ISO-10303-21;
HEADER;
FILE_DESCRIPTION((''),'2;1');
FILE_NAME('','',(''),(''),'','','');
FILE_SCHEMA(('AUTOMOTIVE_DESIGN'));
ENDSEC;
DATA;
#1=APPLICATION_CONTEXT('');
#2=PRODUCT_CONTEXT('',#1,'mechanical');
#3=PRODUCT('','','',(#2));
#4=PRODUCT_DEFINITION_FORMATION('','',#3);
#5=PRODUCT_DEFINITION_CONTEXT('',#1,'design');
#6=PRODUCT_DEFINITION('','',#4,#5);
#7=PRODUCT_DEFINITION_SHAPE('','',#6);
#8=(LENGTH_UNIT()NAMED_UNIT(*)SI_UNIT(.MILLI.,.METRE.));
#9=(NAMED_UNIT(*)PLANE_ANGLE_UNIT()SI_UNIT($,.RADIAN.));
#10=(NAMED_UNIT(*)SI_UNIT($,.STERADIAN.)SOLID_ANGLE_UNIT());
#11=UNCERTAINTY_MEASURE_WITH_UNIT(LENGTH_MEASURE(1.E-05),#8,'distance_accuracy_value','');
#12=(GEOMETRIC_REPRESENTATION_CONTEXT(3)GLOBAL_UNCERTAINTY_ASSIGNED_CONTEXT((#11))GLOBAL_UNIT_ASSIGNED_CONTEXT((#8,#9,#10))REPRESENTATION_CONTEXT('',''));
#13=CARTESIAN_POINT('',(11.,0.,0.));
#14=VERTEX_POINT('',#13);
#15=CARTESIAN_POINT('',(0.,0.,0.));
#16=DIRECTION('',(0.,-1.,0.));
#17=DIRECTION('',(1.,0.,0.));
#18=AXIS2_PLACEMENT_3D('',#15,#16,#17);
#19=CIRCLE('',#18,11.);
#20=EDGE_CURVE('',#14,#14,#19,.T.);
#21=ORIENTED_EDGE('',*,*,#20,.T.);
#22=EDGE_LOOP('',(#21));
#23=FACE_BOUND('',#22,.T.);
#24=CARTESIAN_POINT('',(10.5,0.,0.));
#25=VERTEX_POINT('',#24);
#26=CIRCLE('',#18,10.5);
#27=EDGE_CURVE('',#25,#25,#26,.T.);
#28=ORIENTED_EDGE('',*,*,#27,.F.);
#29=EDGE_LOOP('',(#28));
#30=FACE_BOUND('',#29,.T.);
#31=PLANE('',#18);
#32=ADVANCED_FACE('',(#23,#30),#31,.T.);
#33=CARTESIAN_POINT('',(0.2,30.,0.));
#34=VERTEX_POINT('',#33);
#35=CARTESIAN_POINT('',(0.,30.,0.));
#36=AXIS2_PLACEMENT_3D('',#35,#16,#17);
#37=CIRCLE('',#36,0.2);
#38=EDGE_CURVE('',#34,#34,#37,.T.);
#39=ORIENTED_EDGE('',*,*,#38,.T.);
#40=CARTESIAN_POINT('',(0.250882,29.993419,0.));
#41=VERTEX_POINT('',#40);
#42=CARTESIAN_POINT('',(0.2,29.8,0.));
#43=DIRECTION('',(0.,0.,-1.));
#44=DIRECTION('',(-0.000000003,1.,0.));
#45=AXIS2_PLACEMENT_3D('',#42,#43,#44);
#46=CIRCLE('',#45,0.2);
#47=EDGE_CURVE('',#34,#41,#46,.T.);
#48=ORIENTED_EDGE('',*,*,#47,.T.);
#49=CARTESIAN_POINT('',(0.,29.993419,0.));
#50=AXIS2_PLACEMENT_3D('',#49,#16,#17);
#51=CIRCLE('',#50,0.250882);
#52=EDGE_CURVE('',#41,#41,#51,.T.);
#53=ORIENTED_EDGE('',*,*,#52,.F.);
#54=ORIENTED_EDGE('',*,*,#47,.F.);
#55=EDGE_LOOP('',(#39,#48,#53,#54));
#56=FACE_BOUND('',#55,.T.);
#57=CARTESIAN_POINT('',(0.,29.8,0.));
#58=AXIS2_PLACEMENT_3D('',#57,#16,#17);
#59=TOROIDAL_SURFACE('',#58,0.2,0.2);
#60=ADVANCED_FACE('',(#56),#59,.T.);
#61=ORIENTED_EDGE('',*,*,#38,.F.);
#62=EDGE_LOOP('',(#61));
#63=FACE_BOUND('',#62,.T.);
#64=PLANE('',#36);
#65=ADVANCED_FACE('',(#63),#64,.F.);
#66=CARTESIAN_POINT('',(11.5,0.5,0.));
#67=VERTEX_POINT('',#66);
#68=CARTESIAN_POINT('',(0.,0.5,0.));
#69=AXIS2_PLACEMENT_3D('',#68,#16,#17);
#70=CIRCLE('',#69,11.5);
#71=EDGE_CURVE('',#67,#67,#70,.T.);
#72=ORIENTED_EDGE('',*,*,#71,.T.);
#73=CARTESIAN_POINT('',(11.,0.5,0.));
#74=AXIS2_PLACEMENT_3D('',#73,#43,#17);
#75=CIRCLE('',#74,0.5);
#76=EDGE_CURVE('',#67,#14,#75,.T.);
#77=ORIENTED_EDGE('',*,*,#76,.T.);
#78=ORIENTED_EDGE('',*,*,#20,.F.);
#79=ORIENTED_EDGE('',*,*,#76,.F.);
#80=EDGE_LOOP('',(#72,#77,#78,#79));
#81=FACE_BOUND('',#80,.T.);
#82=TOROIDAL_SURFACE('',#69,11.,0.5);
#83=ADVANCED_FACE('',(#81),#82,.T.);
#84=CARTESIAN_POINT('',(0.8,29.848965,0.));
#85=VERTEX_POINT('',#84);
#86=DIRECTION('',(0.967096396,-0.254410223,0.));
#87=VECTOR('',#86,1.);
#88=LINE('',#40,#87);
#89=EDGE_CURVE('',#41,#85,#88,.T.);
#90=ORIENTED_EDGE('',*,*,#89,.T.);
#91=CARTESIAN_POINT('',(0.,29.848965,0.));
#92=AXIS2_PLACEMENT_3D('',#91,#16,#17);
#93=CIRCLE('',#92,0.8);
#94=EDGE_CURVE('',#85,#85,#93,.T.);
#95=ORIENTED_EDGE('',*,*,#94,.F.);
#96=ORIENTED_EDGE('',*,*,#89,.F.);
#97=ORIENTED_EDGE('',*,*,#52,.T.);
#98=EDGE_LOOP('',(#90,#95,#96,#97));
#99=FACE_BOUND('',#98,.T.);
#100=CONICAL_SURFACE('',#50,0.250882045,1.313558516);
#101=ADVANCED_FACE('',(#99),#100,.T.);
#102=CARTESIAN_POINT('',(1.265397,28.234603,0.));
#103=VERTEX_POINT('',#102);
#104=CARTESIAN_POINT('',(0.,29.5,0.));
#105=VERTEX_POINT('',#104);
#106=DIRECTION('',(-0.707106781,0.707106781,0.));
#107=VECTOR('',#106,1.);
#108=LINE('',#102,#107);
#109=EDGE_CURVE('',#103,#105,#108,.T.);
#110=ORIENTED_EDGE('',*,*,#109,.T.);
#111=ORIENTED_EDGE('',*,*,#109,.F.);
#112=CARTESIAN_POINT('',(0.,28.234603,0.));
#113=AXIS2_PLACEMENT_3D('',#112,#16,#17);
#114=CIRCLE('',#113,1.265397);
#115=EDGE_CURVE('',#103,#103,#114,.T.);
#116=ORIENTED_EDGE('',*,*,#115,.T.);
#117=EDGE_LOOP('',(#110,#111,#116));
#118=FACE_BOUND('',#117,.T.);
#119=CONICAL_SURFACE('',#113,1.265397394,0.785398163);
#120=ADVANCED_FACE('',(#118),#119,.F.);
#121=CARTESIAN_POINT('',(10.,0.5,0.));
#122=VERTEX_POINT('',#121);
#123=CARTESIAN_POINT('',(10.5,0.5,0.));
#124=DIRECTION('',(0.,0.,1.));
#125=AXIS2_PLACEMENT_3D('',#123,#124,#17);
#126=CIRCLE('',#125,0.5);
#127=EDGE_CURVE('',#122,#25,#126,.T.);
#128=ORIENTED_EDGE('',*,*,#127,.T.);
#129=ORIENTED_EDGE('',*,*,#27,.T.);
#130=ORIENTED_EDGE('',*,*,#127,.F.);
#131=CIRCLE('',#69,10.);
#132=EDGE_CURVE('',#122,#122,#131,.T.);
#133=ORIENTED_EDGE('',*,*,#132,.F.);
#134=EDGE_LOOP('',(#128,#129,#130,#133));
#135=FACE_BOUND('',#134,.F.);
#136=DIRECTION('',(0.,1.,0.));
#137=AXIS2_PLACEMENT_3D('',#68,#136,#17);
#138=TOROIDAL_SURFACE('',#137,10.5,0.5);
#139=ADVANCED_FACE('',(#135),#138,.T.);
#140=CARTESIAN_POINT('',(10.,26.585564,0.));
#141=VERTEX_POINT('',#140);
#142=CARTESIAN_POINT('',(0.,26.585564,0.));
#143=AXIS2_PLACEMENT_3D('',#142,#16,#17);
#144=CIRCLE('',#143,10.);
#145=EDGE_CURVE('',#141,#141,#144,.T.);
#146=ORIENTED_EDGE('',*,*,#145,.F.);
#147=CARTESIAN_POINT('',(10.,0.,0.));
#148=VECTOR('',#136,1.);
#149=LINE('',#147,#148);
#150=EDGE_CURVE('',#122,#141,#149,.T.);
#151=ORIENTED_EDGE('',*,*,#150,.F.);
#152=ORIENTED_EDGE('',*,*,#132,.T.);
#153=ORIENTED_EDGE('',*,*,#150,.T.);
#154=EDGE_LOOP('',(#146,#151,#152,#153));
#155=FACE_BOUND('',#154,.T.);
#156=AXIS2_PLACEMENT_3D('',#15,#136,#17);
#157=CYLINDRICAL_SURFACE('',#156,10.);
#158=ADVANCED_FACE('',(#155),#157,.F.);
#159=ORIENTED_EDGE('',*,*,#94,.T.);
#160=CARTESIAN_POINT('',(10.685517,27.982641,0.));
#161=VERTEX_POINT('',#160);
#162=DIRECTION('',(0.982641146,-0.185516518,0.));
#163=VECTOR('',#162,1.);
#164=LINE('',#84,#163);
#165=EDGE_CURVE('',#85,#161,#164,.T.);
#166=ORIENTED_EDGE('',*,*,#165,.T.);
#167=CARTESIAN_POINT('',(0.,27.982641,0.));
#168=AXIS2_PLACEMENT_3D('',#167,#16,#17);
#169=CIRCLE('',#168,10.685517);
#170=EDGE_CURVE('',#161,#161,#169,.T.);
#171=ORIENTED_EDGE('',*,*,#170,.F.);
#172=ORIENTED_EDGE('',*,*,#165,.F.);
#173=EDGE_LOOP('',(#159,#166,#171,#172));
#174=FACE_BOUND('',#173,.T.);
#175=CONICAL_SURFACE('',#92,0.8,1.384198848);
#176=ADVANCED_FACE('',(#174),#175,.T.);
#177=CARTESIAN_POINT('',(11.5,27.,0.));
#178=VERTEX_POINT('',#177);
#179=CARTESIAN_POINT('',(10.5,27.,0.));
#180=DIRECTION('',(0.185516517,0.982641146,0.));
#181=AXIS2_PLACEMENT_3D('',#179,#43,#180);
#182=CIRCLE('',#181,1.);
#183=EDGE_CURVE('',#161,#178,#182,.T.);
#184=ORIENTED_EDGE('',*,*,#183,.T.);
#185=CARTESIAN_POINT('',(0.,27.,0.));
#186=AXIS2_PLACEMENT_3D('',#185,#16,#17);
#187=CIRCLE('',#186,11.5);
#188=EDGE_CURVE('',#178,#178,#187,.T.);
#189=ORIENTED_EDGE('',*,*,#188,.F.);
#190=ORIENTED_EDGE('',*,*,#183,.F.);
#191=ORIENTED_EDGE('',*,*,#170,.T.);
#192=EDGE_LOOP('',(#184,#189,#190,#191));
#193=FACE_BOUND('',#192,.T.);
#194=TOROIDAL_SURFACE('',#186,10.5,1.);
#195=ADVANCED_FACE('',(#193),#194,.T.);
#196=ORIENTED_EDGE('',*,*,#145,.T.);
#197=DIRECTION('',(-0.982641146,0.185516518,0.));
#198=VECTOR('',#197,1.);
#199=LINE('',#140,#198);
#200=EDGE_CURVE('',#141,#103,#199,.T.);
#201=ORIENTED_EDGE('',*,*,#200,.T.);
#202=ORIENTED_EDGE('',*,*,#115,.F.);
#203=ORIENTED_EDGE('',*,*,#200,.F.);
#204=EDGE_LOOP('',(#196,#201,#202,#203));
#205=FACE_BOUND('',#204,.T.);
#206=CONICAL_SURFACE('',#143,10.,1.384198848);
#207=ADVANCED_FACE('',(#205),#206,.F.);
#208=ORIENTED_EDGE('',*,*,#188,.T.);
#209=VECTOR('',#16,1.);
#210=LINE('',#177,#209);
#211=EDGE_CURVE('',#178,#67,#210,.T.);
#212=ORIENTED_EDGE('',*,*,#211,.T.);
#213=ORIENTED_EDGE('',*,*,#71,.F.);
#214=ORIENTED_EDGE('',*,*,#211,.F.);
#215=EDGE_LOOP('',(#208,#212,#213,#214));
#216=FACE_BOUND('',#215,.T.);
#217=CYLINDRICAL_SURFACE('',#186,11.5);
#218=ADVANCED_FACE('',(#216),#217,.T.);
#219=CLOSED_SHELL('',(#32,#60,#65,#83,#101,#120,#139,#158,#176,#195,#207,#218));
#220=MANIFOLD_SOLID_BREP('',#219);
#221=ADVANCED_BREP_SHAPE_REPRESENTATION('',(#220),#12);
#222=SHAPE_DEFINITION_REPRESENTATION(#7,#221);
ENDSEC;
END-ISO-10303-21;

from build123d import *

# Parameters (mm, degrees)
FILLET1_R = 0.5


with BuildPart() as part:
    # Sketch1 → Revolve1 (revolve)
    with BuildSketch(Plane.XY):
        with BuildLine():
            Line((10, 0), (10, 26.585564127))
            Line((10, 26.585564127), (1.265397394, 28.234602606))
            Line((1.265397394, 28.234602606), (0, 29.5))
            Line((0, 29.5), (0, 30))
            Line((0, 30), (0.2, 30))
            ThreePointArc((0.2, 30), (0.225652916, 29.998347997), (0.250882045, 29.993419279))
            Line((0.250882045, 29.993419279), (0.8, 29.848964991))
            Line((0.8, 29.848964991), (10.685516518, 27.982641146))
            ThreePointArc((10.685516518, 27.982641146), (11.269907955, 27.638154951), (11.5, 27))
            Line((11.5, 27), (11.5, 0))
            Line((11.5, 0), (10, 0))
        make_face()
    revolve(axis=Axis((0, 9.5, 0), (0, -1, 0)))

    # Fillet1
    fillet1_edges = [part.edges().sort_by_distance(p)[0] for p in [
        (-0.8, 29.848964991, 0),
        (-11.5, 0, 0),
        (-10, 0, 0),
    ]]
    fillet(fillet1_edges, radius=FILLET1_R)


solid = part.part
